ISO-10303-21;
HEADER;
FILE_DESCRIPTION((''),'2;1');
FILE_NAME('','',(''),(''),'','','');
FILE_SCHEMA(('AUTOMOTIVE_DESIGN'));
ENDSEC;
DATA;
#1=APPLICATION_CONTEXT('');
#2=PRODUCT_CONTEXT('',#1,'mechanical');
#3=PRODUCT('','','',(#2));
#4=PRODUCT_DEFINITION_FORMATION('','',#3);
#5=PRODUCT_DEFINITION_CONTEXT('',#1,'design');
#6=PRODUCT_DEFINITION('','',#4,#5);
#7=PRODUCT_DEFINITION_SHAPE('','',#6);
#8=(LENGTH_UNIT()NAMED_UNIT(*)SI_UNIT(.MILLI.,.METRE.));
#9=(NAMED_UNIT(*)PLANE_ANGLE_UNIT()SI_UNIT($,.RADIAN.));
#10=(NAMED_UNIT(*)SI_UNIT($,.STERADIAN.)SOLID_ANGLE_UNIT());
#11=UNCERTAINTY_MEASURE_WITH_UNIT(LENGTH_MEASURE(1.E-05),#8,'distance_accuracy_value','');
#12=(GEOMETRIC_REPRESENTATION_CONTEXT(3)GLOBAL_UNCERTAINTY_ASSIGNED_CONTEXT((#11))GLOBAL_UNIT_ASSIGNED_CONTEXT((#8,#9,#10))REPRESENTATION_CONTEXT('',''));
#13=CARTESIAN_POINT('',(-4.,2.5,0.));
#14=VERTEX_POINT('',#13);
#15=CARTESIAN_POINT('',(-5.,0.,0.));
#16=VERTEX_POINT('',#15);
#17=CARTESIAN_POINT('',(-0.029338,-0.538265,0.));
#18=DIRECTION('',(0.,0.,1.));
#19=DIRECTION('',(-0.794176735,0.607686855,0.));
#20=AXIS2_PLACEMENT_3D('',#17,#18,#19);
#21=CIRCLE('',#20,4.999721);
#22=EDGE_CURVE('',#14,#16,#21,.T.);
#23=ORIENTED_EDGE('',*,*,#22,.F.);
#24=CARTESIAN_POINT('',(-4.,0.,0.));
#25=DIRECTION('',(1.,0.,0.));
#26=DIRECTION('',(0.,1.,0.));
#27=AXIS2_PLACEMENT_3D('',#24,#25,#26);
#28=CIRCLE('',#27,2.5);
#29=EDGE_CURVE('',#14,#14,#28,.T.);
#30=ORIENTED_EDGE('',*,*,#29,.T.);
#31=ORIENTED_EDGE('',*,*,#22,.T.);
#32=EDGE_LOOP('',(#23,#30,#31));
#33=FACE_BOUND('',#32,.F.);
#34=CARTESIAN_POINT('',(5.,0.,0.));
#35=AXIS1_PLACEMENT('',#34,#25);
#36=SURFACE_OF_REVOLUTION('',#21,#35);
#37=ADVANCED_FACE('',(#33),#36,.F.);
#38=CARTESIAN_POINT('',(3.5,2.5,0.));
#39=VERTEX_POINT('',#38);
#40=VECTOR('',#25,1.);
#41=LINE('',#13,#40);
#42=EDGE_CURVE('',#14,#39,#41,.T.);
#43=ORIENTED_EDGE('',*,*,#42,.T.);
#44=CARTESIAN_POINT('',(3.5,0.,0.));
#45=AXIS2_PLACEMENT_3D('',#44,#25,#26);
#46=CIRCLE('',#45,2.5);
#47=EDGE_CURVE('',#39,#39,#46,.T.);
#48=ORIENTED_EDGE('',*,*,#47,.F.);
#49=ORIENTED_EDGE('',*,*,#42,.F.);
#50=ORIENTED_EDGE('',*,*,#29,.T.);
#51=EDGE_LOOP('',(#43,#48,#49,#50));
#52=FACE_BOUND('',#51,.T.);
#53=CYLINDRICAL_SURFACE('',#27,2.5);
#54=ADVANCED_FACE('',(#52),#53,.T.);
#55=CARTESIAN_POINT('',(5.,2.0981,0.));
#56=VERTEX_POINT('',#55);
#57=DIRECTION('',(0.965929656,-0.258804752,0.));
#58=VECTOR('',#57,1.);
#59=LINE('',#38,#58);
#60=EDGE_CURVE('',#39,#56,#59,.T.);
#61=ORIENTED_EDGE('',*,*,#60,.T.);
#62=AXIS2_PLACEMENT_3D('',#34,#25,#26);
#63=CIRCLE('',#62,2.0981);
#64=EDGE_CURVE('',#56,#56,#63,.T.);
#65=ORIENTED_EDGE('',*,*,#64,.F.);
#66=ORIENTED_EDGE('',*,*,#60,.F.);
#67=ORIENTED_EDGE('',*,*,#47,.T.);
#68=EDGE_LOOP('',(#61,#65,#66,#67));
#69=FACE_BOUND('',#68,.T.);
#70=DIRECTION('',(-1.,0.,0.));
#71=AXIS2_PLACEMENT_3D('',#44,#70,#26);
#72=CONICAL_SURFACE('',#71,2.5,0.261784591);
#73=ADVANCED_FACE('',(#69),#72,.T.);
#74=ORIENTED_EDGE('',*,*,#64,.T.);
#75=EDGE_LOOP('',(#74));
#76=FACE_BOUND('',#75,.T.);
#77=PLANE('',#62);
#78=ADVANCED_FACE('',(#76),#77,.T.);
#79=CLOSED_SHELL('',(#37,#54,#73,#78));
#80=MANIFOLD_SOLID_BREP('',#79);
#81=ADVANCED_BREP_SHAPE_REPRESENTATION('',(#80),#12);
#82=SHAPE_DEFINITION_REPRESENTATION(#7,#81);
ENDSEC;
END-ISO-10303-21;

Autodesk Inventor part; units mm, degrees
ref_plane "YZ Plane" through (0, 0, 0) normal (1, 0, 0) x (0, 1, 0)
ref_plane "XZ Plane" through (0, 0, 0) normal (0, 1, 0) x (-1, 0, 0)
ref_plane "XY Plane" through (0, 0, 0) normal (0, 0, 1) x (1, 0, 0)
sketch "Sketch_1" plane through (0, 0, 0) normal (0, 0, 1) x (1, 0, 0)
  line L0 (5, 0) -> (-5, 0)
  arc A0 (-4, 2.5) -> (-5, 0) centre (-0.0291, -0.5384) ccw
  line L1 (-4, 2.5) -> (3.5, 2.5)
  line L2 (3.5, 2.5) -> (5, 2.0981)
  line L3 (5, 2.0981) -> (5, 0)
  line L4 (5, 0) -> (-5, 0)
revolve "Revolution1" add sketch "Sketch_1" angle 360 about axis through (5, 0, 0) along (1, 0, 0)
properties part number "MS5-10" material "MISUMI"
